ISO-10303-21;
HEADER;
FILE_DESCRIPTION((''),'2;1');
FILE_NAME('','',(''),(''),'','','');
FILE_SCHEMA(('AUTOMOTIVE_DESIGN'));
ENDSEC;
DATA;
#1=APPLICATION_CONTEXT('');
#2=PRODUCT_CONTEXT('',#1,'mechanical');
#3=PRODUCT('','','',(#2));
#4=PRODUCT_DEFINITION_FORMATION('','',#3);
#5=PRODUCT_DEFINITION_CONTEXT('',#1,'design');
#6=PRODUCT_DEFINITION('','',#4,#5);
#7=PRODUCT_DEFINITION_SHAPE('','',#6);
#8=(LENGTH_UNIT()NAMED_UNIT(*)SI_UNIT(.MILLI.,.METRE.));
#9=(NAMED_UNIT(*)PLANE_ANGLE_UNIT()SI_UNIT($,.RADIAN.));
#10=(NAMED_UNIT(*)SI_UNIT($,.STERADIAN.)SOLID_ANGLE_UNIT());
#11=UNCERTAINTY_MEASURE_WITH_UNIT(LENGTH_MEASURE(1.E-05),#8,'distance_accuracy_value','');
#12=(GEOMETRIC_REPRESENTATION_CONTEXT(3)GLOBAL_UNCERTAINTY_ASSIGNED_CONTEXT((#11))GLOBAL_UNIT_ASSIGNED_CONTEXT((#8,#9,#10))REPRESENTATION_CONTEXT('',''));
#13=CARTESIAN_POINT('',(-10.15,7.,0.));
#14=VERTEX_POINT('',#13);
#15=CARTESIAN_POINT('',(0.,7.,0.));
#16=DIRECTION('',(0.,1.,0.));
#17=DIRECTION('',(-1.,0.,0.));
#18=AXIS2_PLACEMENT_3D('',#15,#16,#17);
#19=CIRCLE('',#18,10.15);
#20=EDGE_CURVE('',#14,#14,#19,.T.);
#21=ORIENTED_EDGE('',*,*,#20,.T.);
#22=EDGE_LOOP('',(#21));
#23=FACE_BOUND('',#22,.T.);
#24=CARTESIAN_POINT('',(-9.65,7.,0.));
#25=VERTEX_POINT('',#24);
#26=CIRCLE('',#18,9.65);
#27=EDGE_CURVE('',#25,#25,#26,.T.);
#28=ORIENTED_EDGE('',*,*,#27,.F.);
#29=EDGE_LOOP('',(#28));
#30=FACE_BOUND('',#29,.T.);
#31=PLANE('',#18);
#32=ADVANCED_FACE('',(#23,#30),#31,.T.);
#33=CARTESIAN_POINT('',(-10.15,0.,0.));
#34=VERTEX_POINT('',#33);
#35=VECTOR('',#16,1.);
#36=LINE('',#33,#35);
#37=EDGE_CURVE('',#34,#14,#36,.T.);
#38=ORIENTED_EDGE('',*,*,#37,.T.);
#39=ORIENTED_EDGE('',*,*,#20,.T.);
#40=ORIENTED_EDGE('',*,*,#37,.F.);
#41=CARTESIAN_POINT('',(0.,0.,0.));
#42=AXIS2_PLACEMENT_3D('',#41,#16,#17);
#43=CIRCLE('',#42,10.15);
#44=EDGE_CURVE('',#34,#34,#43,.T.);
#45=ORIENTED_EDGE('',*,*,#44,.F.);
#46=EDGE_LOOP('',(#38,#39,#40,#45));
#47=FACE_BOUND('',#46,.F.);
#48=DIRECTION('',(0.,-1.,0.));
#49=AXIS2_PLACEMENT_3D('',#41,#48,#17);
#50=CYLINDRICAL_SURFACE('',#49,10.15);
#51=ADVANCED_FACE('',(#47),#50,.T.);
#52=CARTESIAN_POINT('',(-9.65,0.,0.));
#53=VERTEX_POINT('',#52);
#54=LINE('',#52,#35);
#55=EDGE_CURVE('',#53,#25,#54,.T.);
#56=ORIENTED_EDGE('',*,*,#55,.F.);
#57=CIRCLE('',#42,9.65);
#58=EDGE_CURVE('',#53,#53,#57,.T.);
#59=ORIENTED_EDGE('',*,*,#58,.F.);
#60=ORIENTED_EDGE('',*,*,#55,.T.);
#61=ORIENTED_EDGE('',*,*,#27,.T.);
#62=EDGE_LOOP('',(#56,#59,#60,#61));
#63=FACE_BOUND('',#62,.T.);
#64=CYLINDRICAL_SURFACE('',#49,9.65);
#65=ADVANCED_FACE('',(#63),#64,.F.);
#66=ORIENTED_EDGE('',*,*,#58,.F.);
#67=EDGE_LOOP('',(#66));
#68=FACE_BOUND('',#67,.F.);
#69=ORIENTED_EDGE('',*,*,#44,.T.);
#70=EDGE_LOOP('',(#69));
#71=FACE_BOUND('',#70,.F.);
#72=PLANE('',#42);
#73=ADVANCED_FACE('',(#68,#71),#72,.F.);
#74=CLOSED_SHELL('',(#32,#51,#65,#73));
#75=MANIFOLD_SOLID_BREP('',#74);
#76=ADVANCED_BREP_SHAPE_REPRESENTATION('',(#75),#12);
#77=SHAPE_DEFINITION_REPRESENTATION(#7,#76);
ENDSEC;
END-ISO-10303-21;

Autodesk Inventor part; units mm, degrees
ref_plane "YZ Plane" through (0, 0, 0) normal (1, 0, 0) x (0, 1, 0)
ref_plane "XZ Plane" through (0, 0, 0) normal (0, 1, 0) x (-1, 0, 0)
ref_plane "XY Plane" through (0, 0, 0) normal (0, 0, 1) x (1, 0, 0)
sketch "Sketch1" plane through (0, 0, 0) normal (0, 1, 0) x (-1, 0, 0)
  circle A0 centre (0, 0) radius 9.65
  circle A1 centre (0, 0) radius 10.15
  dimension "d0" = 19.3
  dimension "d1" = 20.3
extrude "Extrusion1" add sketch "Sketch1" along normal blind 7
sketch "Sketch2" plane through (0, 7, 0) normal (0, 1, 0) x (1, 0, 0)
  point P0 (0, 0)
properties part number "_3DPrint"
